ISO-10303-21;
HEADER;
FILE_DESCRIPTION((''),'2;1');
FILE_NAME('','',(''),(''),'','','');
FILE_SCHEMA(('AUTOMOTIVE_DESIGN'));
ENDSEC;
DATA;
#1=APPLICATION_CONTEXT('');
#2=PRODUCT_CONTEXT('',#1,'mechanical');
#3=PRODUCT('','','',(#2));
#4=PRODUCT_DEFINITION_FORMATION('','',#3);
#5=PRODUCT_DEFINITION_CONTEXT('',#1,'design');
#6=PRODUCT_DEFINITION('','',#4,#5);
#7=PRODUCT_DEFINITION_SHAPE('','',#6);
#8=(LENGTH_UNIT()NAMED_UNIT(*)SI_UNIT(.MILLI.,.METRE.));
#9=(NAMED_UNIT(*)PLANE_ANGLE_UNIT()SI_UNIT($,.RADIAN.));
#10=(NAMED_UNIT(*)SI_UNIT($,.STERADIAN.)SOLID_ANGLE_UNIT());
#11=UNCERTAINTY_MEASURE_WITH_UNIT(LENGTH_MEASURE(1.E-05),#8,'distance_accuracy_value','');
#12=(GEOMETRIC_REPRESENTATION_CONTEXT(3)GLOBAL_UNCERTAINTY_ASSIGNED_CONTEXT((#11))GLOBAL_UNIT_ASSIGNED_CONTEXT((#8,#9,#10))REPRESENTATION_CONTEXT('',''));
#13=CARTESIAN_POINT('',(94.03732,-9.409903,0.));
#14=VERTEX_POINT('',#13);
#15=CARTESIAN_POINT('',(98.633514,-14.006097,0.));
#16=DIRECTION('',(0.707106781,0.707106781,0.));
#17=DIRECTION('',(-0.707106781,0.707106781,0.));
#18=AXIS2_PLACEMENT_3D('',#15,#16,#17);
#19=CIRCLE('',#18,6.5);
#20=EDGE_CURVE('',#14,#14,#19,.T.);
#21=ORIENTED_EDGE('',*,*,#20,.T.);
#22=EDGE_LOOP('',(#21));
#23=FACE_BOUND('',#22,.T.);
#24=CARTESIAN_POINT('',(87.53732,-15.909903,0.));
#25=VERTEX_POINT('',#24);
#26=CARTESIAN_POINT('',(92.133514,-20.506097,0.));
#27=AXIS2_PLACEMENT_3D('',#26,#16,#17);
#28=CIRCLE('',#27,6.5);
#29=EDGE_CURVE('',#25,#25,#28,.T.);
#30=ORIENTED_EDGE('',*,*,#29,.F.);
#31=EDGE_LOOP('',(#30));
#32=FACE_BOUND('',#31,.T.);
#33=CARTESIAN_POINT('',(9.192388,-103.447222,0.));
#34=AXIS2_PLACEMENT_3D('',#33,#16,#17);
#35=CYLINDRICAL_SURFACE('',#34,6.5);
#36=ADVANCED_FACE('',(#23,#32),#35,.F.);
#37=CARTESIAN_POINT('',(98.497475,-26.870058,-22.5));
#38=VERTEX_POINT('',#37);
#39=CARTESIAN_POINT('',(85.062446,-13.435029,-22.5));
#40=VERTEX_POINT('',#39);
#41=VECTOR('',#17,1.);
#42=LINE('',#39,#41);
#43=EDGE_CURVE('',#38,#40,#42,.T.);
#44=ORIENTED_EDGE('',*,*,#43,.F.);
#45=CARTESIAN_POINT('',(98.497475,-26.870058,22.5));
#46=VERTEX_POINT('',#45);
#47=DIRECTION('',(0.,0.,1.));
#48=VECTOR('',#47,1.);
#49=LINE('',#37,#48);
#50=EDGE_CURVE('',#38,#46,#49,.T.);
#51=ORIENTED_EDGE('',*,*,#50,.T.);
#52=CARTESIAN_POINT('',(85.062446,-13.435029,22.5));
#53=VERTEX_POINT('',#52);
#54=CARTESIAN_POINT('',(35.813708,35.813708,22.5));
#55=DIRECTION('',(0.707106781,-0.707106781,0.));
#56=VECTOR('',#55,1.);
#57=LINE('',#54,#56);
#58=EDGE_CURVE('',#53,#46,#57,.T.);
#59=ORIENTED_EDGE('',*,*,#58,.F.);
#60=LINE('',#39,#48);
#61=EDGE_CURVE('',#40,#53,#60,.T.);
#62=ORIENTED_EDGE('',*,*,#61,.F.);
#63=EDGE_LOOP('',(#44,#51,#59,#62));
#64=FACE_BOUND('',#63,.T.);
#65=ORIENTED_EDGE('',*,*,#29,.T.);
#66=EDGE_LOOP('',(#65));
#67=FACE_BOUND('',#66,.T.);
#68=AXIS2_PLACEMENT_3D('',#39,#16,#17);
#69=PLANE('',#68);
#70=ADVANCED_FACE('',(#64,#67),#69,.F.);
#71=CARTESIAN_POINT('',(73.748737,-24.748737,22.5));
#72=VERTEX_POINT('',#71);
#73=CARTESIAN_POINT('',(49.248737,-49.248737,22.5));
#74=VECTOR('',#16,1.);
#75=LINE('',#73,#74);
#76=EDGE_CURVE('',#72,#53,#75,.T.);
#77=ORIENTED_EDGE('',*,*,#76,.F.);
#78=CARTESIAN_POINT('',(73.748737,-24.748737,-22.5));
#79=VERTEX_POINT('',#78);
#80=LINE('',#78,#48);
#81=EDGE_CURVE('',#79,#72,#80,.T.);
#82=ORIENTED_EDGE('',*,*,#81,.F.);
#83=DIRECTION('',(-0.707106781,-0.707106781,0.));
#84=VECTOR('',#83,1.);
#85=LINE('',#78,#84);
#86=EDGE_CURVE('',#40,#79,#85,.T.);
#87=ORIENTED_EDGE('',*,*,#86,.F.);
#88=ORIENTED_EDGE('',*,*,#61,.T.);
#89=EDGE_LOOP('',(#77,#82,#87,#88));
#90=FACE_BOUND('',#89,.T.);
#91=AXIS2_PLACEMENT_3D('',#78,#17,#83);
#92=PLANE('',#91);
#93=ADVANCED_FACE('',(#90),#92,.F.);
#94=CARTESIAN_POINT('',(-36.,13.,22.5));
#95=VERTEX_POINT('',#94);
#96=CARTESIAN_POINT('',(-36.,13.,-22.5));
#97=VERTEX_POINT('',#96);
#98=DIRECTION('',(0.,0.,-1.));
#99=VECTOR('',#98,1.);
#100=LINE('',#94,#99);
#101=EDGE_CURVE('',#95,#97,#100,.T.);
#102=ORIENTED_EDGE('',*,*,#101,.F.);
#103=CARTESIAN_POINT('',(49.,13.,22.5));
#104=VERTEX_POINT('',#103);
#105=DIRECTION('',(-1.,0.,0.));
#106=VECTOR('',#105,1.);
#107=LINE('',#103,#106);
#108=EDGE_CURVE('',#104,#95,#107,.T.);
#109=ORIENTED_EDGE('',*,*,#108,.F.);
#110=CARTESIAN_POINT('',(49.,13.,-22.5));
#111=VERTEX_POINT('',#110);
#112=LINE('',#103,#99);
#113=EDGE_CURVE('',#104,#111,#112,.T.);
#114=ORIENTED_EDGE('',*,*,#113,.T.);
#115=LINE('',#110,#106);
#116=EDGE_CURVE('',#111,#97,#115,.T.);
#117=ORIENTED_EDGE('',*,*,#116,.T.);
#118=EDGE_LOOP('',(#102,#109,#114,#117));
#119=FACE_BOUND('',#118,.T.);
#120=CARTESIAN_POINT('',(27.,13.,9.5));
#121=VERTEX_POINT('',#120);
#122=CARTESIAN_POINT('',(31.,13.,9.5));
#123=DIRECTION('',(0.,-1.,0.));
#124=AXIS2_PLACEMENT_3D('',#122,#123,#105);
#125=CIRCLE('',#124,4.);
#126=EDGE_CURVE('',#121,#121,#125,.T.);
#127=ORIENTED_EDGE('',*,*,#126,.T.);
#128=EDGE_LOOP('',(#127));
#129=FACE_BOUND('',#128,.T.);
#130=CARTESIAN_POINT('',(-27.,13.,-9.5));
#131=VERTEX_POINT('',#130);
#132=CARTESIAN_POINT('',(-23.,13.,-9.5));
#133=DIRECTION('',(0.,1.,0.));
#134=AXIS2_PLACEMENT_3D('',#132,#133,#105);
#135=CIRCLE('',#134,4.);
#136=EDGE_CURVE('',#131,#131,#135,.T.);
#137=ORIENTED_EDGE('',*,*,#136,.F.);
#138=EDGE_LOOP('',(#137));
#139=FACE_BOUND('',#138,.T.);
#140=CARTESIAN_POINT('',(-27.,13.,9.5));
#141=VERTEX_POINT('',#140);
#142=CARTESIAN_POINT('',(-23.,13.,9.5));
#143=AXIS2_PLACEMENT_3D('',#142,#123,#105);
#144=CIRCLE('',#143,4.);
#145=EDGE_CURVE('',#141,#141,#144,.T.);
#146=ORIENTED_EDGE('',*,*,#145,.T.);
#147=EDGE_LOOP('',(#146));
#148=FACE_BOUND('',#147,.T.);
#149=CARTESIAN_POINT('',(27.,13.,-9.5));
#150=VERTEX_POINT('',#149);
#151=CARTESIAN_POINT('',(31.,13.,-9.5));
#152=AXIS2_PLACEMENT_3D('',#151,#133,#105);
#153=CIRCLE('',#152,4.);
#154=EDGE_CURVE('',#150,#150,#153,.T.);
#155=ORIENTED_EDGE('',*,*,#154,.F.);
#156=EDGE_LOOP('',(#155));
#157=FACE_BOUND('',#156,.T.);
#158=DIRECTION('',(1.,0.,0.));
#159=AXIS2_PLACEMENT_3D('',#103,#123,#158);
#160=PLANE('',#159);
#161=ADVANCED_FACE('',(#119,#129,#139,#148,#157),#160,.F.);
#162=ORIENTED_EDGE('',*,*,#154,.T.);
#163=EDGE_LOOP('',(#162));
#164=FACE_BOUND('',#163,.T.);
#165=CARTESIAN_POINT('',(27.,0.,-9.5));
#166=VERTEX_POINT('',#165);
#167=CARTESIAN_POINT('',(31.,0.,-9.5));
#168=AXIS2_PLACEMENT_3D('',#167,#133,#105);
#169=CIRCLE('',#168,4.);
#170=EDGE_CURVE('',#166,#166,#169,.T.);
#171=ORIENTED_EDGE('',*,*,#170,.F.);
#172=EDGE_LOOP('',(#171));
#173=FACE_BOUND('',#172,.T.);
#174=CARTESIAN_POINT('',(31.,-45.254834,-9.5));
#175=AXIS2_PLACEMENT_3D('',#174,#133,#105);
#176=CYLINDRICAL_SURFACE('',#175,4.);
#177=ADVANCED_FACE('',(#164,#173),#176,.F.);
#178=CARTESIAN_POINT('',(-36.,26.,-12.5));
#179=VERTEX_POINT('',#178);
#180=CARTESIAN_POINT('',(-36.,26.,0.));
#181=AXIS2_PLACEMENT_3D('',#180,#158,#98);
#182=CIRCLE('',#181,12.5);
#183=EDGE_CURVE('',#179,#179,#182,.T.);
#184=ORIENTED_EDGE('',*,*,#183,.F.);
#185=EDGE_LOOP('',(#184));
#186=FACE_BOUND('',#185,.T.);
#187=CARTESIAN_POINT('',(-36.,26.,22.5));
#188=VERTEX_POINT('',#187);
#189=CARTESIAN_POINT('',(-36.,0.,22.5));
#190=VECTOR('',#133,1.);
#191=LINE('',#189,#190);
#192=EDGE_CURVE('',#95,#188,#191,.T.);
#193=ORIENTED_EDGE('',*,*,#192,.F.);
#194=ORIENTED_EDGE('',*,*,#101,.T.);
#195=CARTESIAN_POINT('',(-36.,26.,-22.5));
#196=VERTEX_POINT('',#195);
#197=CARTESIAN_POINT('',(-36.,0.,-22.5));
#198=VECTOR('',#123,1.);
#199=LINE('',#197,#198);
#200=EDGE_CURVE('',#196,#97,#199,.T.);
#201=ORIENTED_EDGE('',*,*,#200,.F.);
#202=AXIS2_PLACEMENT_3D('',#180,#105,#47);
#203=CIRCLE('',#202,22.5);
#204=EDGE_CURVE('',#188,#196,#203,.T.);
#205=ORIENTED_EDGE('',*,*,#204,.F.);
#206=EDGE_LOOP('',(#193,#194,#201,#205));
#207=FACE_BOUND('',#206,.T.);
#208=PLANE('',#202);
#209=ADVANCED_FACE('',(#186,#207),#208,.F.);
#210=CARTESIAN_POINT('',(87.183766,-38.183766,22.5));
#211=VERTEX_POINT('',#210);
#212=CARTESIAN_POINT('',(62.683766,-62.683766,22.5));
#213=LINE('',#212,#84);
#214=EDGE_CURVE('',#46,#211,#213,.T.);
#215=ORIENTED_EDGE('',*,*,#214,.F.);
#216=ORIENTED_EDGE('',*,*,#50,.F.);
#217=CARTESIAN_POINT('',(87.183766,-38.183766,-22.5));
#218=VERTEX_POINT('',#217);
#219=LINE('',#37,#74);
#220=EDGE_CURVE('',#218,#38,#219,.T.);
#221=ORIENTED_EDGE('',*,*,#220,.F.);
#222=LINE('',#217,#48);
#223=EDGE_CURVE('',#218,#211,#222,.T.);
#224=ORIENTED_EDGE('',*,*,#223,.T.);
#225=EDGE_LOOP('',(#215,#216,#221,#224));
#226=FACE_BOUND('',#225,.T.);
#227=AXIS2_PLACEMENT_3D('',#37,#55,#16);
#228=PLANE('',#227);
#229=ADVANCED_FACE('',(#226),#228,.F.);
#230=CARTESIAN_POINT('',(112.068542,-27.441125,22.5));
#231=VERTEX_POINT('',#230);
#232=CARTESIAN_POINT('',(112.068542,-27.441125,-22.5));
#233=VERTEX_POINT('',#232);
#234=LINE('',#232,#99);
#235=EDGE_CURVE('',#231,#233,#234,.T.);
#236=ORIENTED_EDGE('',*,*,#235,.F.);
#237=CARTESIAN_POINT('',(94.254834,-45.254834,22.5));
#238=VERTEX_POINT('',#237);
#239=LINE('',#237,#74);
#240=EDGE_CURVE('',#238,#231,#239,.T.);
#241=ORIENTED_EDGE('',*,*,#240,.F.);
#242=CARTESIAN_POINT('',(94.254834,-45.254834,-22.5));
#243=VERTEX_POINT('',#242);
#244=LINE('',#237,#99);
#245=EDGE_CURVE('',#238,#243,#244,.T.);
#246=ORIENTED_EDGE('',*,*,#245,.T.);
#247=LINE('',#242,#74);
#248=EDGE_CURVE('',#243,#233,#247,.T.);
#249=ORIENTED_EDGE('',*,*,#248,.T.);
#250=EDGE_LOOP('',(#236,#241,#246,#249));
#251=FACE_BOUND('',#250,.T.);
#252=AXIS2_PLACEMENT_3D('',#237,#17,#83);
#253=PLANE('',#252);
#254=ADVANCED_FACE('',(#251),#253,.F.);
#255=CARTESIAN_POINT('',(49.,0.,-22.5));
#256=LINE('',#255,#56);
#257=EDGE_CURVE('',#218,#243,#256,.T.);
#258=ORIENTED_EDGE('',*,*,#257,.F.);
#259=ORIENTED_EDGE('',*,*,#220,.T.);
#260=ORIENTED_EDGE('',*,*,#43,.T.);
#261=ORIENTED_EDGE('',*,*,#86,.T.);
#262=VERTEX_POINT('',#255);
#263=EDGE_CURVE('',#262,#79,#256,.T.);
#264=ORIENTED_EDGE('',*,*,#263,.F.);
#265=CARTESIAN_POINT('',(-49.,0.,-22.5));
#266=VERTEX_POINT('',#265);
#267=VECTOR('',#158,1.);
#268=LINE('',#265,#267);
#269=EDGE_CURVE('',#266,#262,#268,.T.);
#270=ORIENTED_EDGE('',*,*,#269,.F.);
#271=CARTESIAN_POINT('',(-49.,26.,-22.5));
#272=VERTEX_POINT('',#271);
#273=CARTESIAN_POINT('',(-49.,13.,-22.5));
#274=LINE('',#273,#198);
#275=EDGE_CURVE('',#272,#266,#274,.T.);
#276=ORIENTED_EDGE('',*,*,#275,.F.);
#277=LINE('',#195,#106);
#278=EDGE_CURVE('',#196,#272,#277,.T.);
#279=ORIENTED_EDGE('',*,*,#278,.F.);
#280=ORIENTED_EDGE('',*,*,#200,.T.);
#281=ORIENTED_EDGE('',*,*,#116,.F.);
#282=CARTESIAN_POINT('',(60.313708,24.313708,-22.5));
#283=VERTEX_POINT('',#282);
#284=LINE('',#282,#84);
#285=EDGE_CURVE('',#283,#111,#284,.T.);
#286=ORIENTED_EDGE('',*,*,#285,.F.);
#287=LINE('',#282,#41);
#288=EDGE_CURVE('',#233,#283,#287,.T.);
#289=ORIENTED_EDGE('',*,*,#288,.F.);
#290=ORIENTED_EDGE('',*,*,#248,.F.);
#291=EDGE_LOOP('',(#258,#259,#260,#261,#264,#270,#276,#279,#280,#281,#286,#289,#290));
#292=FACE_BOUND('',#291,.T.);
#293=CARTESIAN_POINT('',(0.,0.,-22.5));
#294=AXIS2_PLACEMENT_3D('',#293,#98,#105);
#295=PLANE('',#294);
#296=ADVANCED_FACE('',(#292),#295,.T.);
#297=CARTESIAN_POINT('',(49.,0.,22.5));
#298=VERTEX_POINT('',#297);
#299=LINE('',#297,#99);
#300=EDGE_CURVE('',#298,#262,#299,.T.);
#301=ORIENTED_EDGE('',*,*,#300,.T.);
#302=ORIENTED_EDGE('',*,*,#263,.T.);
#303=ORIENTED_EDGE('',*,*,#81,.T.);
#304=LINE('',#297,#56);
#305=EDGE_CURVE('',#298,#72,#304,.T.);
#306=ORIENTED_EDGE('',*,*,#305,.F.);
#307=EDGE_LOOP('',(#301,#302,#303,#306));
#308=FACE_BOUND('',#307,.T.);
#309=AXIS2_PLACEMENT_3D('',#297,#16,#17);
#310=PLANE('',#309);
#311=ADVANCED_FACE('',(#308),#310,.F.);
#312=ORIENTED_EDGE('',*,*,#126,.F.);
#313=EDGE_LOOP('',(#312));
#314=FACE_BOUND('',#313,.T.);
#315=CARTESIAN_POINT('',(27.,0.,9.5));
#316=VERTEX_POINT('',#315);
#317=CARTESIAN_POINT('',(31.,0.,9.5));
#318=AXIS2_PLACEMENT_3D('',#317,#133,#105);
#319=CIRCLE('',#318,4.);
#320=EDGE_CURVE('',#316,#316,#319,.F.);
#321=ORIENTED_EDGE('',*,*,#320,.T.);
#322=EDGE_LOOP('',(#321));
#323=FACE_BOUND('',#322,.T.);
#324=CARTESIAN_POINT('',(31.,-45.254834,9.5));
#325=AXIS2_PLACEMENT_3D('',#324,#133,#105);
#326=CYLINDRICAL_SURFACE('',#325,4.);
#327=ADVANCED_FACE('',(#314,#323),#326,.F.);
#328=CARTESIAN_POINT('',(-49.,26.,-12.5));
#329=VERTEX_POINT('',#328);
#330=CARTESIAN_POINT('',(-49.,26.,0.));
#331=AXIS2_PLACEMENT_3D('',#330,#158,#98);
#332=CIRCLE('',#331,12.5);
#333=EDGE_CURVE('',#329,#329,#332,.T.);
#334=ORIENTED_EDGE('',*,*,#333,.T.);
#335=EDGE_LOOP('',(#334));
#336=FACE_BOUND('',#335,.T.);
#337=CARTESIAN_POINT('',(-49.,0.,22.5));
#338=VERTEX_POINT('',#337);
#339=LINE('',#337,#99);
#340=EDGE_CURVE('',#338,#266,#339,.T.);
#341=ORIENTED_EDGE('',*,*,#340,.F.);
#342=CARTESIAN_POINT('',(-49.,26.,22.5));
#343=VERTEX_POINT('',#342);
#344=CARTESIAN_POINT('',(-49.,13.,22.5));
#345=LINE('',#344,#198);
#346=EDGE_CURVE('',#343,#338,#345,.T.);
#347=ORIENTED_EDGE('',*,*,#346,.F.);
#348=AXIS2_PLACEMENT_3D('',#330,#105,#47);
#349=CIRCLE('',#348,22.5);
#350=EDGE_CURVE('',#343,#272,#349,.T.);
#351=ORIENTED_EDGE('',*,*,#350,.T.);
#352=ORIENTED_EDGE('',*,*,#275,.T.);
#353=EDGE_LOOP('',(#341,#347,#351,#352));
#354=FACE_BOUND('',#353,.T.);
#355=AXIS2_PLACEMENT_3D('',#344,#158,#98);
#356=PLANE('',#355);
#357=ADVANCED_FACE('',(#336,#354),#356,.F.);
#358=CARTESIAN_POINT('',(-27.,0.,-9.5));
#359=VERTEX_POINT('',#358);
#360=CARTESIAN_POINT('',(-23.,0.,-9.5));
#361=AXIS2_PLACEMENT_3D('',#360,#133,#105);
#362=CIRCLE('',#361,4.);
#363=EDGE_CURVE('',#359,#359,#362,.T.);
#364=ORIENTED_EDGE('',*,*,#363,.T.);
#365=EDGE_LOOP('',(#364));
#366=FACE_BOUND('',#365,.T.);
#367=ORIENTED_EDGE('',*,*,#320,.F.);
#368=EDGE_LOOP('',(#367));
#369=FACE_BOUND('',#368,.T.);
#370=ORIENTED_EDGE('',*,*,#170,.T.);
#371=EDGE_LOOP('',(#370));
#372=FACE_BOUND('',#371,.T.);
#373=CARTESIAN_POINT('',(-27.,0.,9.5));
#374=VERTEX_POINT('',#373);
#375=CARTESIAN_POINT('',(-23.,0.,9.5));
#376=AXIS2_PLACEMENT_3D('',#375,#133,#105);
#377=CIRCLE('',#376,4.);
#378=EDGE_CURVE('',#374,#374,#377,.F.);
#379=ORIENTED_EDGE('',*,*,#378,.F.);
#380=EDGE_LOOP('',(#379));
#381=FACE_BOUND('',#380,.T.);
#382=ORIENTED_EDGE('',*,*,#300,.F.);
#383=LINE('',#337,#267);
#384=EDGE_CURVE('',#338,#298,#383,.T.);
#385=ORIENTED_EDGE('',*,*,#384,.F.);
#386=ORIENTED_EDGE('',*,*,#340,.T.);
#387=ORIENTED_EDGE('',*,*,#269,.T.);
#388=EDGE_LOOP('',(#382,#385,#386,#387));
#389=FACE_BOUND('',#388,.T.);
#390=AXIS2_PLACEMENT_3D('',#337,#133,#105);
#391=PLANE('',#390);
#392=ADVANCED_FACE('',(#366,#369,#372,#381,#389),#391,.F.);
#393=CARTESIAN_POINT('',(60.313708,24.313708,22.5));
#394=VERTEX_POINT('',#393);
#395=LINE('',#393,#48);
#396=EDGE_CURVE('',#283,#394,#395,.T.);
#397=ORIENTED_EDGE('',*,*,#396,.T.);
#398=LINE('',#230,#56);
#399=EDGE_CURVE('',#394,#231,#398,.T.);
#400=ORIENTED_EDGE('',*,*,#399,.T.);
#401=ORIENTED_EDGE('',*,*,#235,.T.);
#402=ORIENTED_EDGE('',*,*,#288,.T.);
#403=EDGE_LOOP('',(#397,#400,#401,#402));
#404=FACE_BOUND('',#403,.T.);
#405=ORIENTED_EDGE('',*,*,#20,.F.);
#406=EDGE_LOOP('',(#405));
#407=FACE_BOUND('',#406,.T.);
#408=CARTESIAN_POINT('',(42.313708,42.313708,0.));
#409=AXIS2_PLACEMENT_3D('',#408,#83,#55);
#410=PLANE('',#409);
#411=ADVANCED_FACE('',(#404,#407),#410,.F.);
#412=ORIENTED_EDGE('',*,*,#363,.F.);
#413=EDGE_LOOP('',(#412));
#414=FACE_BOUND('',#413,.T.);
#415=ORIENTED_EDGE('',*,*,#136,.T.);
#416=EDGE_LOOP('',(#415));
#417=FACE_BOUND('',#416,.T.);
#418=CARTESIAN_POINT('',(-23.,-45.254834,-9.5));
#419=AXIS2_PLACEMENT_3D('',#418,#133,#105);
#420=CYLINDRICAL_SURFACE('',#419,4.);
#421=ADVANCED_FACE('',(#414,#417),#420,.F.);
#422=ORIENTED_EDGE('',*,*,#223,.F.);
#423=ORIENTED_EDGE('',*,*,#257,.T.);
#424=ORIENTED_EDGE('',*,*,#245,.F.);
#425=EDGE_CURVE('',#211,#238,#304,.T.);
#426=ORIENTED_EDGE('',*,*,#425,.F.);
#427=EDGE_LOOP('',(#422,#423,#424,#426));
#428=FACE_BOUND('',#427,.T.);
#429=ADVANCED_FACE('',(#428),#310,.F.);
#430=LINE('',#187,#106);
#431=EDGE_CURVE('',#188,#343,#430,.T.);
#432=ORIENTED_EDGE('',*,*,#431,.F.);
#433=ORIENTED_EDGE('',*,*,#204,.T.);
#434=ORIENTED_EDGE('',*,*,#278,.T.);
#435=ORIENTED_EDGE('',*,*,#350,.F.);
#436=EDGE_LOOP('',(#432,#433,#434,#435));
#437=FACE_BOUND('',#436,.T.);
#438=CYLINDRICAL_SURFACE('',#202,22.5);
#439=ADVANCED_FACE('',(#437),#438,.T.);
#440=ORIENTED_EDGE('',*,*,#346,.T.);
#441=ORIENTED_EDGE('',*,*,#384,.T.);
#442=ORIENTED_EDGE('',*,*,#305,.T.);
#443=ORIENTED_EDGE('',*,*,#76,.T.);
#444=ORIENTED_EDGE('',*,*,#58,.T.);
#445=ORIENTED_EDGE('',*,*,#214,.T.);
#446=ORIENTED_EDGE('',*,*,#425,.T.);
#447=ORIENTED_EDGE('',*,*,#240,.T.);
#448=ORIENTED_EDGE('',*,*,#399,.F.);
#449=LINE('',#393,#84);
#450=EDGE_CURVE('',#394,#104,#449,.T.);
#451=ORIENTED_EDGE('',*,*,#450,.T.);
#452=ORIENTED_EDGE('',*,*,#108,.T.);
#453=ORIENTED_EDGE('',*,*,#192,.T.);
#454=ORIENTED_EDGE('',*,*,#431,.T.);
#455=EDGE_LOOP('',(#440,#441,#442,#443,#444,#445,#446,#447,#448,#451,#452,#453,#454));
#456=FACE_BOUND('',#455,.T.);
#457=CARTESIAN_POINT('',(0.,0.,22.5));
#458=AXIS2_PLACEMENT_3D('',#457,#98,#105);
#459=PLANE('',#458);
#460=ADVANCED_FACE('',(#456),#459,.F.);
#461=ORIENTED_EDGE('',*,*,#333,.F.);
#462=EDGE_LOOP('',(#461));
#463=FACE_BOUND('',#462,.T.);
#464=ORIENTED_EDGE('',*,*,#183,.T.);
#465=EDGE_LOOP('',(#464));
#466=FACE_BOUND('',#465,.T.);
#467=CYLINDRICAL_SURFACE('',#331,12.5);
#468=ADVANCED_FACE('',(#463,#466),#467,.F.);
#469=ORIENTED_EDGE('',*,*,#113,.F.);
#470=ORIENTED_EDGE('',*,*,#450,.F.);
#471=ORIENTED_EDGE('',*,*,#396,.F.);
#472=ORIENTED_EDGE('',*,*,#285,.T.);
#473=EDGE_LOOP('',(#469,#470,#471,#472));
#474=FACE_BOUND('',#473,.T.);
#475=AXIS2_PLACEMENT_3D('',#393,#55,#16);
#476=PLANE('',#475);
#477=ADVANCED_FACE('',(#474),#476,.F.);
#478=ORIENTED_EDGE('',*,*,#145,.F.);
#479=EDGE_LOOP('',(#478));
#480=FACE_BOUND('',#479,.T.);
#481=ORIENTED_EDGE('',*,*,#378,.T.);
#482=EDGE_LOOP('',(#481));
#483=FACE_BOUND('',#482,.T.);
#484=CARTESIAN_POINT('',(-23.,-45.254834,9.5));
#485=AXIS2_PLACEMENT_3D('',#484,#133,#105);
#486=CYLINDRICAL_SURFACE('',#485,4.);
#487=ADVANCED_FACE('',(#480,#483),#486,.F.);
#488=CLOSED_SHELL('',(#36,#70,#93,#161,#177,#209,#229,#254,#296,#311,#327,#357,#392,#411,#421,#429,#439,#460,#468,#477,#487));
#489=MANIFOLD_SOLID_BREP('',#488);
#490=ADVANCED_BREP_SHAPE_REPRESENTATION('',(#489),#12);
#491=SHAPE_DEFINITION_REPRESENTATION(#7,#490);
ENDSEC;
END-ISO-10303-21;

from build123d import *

# Parameters (mm, degrees)
ESTRUSIONE_ESTRUSIONE1_DEPTH  = 22.5
SCHIZZO2_W                    = 45
SCHIZZO2_H                    = 73.192388155
ESTRUSIONE_ESTRUSIONE2_DEPTH  = 16
ESTRUSIONE_ESTRUSIONE3_DEPTH  = 13
TAGLIO_ESTRUSIONE1_DEPTH      = 1
TAGLIO_ESTRUSIONE1_DEPTH_BACK = 46
SCHIZZO5_R                    = 12.5
TAGLIO_ESTRUSIONE2_DEPTH      = 14
SCHIZZO6_R                    = 6.5
TAGLIO_ESTRUSIONE3_DEPTH      = 127.488852712
SCHIZZO7_R                    = 4
TAGLIO_ESTRUSIONE4_DEPTH      = 59.254833996


with BuildPart() as part:
    # Schizzo1 → Estrusione-Estrusione1 (new body, symmetric)
    with BuildSketch(Plane.XY):
        Polygon((-49, 13), (-49, 0), (49, 0), (94.254833996, -45.254833996), (100.754833996, -38.754833996), (49, 13), align=None)
    extrude(amount=ESTRUSIONE_ESTRUSIONE1_DEPTH, both=True)

    # Schizzo2 → Estrusione-Estrusione2 (add)
    with BuildSketch(Plane(origin=(31, 31, 0), x_dir=(0, 0, -1), z_dir=(0.707106781, 0.707106781, 0))):
        with Locations((0, -62.052038201)):
            Rectangle(SCHIZZO2_W, SCHIZZO2_H)
    extrude(amount=ESTRUSIONE_ESTRUSIONE2_DEPTH)

    # Schizzo3 → Estrusione-Estrusione3 (add)
    with BuildSketch(Plane.ZY.offset(49)):
        with BuildLine():
            Line((-22.5, 0), (-22.5, 26))
            ThreePointArc((-22.5, 26), (0, 48.5), (22.5, 26))
            Line((22.5, 26), (22.5, 0))
            Line((22.5, 0), (-22.5, 0))
        make_face()
    extrude(amount=-ESTRUSIONE_ESTRUSIONE3_DEPTH)

    # Schizzo4 → Taglio-Estrusione1 (cut, two sides)
    with BuildSketch(Plane.XY.offset(22.5)) as taglio_estrusione1_sk:
        Polygon((73.748737342, -24.748737342), (85.062445841, -13.435028843), (98.497474683, -26.870057685), (87.183766184, -38.183766184), align=None)
    extrude(amount=TAGLIO_ESTRUSIONE1_DEPTH, mode=Mode.SUBTRACT)
    extrude(taglio_estrusione1_sk.sketch, amount=-TAGLIO_ESTRUSIONE1_DEPTH_BACK, mode=Mode.SUBTRACT)

    # Schizzo5 → Taglio-Estrusione2 (cut, through all)
    with BuildSketch(Plane(origin=(-36, 0, 0), x_dir=(0, 0, -1), z_dir=(1, 0, 0))):
        with Locations((0, 26)):
            Circle(SCHIZZO5_R)
    extrude(amount=-TAGLIO_ESTRUSIONE2_DEPTH, mode=Mode.SUBTRACT)

    # Schizzo6 → Taglio-Estrusione3 (cut, through all)
    with BuildSketch(Plane(origin=(42.313708499, 42.313708499, 0), x_dir=(0, 0, -1), z_dir=(0.707106781, 0.707106781, 0))):
        with Locations((0, -79.648232278)):
            Circle(SCHIZZO6_R)
    extrude(amount=-TAGLIO_ESTRUSIONE3_DEPTH, mode=Mode.SUBTRACT)

    # Schizzo7 → Taglio-Estrusione4 (cut, through all)
    with BuildSketch(Plane(origin=(0, 13, 0), x_dir=(1, 0, 0), z_dir=(0, 1, 0))):
        with Locations((-23, 9.5)):
            Circle(SCHIZZO7_R)
        with Locations((31, 9.5)):
            Circle(SCHIZZO7_R)
    taglio_estrusione4 = extrude(amount=-TAGLIO_ESTRUSIONE4_DEPTH, mode=Mode.SUBTRACT)

    # Specchia1: Taglio-Estrusione4 across plane
    add(taglio_estrusione4.mirror(Plane.XY), mode=Mode.SUBTRACT)


solid = part.part
